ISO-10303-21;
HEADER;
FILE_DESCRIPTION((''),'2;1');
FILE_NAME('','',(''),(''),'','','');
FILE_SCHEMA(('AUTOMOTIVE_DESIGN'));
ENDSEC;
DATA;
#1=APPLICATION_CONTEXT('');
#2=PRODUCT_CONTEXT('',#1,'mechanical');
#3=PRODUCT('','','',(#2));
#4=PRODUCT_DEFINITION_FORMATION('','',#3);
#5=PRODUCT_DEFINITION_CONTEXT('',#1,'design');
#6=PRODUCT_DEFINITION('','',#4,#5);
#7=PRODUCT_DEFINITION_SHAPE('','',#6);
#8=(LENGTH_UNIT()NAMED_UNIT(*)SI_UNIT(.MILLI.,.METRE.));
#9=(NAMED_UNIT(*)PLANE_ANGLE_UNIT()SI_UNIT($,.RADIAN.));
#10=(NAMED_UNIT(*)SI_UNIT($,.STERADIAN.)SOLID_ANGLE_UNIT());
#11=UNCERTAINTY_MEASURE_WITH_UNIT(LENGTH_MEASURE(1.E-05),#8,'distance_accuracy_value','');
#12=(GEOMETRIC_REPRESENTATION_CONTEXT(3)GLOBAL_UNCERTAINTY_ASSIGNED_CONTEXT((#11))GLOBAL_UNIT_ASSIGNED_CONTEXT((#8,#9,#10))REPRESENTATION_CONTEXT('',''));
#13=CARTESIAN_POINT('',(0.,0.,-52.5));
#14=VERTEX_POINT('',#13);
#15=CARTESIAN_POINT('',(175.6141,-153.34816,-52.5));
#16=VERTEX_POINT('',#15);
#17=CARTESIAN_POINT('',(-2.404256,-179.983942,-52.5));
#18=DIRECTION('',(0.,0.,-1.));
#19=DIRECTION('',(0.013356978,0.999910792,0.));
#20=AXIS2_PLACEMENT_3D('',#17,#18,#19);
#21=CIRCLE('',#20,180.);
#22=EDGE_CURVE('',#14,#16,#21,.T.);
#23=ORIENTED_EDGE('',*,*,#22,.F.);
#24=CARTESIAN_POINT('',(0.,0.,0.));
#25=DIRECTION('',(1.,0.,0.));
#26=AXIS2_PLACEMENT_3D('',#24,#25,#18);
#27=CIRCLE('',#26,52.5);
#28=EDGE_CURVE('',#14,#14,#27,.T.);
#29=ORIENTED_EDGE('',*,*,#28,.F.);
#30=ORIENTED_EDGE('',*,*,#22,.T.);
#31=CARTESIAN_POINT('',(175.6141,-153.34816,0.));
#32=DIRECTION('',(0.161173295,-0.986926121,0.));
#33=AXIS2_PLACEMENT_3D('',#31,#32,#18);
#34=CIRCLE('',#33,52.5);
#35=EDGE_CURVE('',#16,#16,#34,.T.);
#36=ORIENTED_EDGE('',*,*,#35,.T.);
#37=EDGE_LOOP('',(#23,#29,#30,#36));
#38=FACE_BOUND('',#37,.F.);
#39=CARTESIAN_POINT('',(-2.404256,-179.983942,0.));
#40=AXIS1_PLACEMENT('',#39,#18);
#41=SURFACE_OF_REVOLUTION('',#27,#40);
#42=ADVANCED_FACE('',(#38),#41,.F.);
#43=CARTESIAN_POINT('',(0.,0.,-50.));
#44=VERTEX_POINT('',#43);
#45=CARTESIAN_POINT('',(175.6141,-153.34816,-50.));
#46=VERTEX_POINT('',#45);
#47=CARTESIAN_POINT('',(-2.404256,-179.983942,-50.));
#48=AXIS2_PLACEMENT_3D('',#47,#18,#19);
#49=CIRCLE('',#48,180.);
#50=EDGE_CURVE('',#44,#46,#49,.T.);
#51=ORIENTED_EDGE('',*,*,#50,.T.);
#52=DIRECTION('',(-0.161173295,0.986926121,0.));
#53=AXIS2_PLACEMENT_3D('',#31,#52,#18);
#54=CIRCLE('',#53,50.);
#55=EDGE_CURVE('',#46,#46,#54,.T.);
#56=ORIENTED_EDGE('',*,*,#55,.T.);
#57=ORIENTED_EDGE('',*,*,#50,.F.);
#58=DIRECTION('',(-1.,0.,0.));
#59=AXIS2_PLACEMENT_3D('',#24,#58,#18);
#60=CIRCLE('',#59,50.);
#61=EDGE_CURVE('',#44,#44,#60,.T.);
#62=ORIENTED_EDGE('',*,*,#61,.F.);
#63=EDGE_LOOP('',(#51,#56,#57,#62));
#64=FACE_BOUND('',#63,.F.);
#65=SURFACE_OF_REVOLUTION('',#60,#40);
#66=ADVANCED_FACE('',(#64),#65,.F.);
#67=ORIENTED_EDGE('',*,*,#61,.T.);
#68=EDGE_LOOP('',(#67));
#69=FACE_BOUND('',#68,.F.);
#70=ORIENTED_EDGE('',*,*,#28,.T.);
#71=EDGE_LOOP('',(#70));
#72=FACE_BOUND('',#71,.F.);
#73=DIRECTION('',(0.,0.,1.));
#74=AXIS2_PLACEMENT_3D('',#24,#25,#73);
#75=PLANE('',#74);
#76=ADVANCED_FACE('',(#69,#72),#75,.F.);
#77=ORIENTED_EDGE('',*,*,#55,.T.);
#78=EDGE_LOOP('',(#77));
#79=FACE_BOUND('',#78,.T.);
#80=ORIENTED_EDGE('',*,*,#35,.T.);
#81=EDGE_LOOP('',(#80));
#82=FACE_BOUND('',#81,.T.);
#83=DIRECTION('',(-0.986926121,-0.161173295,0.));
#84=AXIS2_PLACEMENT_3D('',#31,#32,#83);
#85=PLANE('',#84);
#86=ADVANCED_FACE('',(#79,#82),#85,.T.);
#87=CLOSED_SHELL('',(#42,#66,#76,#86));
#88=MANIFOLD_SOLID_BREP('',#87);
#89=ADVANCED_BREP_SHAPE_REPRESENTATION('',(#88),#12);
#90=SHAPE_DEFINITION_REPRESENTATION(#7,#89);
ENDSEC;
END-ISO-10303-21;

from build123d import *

# Parameters (mm, degrees)
SKETCH1_R   = 52.5
SKETCH1_R_2 = 50


with BuildPart() as part:
    # Sweep7: sweep along a path in Sketch4
    with BuildLine(Plane.XY) as sweep7_path:
        ThreePointArc((0, 0), (115.98913199, -44.399999202), (175.614100109, -153.34816048))
    # Sketch1 → Sweep7 (sweep)
    with BuildSketch(Plane(origin=(0, 0, 0), x_dir=(0, 0, -1), z_dir=(1, 0, 0))):
        Circle(SKETCH1_R)
        Circle(SKETCH1_R_2, mode=Mode.SUBTRACT)
    sweep(path=sweep7_path.line)


solid = part.part
